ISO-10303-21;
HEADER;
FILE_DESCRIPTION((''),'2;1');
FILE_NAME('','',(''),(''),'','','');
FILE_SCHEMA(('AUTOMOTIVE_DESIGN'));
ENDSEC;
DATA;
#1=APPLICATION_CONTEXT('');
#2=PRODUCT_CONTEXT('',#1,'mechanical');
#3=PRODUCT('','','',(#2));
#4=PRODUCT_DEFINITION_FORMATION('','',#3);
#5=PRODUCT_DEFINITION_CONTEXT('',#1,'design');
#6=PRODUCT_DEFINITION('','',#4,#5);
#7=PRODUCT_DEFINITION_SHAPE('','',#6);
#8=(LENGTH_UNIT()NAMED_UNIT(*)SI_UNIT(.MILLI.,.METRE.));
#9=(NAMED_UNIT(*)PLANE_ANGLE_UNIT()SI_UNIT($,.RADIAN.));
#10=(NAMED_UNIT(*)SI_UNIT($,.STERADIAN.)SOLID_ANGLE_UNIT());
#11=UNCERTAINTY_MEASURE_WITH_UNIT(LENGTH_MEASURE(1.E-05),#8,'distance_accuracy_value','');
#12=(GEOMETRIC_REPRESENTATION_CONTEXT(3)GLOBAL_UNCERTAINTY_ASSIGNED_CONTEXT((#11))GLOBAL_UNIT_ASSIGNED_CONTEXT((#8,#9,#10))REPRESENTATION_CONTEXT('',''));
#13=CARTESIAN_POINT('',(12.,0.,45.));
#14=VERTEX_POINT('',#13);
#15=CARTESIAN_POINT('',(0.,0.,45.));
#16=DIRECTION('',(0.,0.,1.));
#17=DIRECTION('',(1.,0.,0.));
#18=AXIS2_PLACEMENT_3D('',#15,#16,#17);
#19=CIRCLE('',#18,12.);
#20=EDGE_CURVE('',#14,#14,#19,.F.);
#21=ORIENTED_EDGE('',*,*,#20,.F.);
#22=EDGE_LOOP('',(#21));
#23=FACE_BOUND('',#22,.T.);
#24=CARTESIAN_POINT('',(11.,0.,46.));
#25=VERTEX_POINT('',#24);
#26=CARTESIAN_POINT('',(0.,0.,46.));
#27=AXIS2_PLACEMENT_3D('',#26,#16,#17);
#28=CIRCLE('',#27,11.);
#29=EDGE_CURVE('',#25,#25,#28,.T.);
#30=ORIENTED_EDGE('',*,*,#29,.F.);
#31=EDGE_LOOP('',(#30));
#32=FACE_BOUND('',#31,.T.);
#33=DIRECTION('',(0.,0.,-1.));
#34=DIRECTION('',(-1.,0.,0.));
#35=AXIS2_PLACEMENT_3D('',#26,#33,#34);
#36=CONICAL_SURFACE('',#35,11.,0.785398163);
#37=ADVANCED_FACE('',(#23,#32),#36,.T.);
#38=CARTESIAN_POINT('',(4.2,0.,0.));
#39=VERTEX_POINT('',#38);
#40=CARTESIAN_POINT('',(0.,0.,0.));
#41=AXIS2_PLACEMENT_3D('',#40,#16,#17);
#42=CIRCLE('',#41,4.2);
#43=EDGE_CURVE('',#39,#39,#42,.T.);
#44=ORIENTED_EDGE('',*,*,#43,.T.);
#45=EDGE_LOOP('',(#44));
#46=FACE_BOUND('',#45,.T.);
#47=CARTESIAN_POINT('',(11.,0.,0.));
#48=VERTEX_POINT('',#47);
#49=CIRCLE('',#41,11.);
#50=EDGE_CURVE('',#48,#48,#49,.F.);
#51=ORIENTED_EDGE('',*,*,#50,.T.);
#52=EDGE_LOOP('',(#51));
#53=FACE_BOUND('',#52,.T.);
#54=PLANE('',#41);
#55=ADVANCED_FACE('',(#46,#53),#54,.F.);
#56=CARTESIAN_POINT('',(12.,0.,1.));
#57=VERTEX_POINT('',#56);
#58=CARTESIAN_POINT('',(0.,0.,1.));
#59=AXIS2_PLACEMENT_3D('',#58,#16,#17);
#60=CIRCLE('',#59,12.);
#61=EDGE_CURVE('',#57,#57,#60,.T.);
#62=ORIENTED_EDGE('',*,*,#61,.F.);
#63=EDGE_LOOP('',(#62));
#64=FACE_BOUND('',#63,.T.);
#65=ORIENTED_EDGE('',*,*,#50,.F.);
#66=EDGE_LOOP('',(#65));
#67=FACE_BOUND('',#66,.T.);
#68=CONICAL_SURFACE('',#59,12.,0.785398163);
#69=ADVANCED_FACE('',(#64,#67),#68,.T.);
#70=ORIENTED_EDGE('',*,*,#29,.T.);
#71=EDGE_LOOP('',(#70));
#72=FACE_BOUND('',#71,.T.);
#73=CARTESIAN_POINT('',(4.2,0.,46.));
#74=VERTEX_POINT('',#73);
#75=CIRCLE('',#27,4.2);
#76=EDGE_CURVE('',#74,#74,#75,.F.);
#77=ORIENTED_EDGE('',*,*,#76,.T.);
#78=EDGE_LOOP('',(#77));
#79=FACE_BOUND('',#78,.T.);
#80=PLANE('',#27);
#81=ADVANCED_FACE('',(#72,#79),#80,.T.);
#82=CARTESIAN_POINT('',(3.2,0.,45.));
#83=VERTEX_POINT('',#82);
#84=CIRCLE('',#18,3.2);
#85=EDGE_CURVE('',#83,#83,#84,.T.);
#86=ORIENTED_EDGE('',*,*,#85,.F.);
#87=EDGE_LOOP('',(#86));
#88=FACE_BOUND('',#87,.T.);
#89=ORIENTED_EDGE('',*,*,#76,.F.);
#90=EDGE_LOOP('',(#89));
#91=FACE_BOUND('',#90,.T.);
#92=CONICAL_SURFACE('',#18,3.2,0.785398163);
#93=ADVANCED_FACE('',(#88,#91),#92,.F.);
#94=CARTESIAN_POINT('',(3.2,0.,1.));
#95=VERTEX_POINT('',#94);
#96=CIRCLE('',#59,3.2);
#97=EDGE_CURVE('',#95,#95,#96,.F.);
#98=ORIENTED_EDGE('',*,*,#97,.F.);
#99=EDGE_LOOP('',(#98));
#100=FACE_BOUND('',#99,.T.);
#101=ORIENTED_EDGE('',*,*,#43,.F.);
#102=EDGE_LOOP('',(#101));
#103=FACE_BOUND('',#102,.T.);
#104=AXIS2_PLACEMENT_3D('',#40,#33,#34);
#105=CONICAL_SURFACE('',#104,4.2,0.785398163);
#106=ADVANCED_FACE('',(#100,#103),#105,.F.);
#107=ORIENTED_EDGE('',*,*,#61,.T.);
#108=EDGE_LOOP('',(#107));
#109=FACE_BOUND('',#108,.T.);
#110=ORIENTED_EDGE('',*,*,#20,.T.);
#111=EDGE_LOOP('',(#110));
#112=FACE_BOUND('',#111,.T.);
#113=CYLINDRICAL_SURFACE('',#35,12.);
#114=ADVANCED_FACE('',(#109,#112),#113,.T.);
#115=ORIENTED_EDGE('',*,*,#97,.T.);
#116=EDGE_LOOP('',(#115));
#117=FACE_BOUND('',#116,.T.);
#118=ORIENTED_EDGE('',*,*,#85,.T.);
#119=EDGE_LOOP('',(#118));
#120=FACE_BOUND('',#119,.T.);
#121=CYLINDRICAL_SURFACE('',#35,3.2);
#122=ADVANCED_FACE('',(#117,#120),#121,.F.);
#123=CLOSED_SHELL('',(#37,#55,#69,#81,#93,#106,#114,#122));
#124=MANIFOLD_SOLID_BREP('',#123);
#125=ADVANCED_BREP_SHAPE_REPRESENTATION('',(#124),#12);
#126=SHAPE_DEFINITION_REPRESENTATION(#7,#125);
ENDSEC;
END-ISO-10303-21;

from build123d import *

# Parameters (mm, degrees)
ESQUISSE1_R        = 12
ESQUISSE1_R_2      = 3.2
BOSS_EXTRU_1_DEPTH = 46
CHANFREIN1_SIZE    = 1


with BuildPart() as part:
    # Esquisse1 → Boss.-Extru.1 (new body)
    with BuildSketch(Plane.XY):
        Circle(ESQUISSE1_R)
        Circle(ESQUISSE1_R_2, mode=Mode.SUBTRACT)
    extrude(amount=BOSS_EXTRU_1_DEPTH)

    # Chanfrein1
    chanfrein1_edges = [part.edges().sort_by_distance(p)[0] for p in [
        (-12, 0, 0),
        (-12, 0, 46),
        (-3.2, 0, 0),
        (-3.2, 0, 46),
    ]]
    chamfer(chanfrein1_edges, length=CHANFREIN1_SIZE)


solid = part.part
